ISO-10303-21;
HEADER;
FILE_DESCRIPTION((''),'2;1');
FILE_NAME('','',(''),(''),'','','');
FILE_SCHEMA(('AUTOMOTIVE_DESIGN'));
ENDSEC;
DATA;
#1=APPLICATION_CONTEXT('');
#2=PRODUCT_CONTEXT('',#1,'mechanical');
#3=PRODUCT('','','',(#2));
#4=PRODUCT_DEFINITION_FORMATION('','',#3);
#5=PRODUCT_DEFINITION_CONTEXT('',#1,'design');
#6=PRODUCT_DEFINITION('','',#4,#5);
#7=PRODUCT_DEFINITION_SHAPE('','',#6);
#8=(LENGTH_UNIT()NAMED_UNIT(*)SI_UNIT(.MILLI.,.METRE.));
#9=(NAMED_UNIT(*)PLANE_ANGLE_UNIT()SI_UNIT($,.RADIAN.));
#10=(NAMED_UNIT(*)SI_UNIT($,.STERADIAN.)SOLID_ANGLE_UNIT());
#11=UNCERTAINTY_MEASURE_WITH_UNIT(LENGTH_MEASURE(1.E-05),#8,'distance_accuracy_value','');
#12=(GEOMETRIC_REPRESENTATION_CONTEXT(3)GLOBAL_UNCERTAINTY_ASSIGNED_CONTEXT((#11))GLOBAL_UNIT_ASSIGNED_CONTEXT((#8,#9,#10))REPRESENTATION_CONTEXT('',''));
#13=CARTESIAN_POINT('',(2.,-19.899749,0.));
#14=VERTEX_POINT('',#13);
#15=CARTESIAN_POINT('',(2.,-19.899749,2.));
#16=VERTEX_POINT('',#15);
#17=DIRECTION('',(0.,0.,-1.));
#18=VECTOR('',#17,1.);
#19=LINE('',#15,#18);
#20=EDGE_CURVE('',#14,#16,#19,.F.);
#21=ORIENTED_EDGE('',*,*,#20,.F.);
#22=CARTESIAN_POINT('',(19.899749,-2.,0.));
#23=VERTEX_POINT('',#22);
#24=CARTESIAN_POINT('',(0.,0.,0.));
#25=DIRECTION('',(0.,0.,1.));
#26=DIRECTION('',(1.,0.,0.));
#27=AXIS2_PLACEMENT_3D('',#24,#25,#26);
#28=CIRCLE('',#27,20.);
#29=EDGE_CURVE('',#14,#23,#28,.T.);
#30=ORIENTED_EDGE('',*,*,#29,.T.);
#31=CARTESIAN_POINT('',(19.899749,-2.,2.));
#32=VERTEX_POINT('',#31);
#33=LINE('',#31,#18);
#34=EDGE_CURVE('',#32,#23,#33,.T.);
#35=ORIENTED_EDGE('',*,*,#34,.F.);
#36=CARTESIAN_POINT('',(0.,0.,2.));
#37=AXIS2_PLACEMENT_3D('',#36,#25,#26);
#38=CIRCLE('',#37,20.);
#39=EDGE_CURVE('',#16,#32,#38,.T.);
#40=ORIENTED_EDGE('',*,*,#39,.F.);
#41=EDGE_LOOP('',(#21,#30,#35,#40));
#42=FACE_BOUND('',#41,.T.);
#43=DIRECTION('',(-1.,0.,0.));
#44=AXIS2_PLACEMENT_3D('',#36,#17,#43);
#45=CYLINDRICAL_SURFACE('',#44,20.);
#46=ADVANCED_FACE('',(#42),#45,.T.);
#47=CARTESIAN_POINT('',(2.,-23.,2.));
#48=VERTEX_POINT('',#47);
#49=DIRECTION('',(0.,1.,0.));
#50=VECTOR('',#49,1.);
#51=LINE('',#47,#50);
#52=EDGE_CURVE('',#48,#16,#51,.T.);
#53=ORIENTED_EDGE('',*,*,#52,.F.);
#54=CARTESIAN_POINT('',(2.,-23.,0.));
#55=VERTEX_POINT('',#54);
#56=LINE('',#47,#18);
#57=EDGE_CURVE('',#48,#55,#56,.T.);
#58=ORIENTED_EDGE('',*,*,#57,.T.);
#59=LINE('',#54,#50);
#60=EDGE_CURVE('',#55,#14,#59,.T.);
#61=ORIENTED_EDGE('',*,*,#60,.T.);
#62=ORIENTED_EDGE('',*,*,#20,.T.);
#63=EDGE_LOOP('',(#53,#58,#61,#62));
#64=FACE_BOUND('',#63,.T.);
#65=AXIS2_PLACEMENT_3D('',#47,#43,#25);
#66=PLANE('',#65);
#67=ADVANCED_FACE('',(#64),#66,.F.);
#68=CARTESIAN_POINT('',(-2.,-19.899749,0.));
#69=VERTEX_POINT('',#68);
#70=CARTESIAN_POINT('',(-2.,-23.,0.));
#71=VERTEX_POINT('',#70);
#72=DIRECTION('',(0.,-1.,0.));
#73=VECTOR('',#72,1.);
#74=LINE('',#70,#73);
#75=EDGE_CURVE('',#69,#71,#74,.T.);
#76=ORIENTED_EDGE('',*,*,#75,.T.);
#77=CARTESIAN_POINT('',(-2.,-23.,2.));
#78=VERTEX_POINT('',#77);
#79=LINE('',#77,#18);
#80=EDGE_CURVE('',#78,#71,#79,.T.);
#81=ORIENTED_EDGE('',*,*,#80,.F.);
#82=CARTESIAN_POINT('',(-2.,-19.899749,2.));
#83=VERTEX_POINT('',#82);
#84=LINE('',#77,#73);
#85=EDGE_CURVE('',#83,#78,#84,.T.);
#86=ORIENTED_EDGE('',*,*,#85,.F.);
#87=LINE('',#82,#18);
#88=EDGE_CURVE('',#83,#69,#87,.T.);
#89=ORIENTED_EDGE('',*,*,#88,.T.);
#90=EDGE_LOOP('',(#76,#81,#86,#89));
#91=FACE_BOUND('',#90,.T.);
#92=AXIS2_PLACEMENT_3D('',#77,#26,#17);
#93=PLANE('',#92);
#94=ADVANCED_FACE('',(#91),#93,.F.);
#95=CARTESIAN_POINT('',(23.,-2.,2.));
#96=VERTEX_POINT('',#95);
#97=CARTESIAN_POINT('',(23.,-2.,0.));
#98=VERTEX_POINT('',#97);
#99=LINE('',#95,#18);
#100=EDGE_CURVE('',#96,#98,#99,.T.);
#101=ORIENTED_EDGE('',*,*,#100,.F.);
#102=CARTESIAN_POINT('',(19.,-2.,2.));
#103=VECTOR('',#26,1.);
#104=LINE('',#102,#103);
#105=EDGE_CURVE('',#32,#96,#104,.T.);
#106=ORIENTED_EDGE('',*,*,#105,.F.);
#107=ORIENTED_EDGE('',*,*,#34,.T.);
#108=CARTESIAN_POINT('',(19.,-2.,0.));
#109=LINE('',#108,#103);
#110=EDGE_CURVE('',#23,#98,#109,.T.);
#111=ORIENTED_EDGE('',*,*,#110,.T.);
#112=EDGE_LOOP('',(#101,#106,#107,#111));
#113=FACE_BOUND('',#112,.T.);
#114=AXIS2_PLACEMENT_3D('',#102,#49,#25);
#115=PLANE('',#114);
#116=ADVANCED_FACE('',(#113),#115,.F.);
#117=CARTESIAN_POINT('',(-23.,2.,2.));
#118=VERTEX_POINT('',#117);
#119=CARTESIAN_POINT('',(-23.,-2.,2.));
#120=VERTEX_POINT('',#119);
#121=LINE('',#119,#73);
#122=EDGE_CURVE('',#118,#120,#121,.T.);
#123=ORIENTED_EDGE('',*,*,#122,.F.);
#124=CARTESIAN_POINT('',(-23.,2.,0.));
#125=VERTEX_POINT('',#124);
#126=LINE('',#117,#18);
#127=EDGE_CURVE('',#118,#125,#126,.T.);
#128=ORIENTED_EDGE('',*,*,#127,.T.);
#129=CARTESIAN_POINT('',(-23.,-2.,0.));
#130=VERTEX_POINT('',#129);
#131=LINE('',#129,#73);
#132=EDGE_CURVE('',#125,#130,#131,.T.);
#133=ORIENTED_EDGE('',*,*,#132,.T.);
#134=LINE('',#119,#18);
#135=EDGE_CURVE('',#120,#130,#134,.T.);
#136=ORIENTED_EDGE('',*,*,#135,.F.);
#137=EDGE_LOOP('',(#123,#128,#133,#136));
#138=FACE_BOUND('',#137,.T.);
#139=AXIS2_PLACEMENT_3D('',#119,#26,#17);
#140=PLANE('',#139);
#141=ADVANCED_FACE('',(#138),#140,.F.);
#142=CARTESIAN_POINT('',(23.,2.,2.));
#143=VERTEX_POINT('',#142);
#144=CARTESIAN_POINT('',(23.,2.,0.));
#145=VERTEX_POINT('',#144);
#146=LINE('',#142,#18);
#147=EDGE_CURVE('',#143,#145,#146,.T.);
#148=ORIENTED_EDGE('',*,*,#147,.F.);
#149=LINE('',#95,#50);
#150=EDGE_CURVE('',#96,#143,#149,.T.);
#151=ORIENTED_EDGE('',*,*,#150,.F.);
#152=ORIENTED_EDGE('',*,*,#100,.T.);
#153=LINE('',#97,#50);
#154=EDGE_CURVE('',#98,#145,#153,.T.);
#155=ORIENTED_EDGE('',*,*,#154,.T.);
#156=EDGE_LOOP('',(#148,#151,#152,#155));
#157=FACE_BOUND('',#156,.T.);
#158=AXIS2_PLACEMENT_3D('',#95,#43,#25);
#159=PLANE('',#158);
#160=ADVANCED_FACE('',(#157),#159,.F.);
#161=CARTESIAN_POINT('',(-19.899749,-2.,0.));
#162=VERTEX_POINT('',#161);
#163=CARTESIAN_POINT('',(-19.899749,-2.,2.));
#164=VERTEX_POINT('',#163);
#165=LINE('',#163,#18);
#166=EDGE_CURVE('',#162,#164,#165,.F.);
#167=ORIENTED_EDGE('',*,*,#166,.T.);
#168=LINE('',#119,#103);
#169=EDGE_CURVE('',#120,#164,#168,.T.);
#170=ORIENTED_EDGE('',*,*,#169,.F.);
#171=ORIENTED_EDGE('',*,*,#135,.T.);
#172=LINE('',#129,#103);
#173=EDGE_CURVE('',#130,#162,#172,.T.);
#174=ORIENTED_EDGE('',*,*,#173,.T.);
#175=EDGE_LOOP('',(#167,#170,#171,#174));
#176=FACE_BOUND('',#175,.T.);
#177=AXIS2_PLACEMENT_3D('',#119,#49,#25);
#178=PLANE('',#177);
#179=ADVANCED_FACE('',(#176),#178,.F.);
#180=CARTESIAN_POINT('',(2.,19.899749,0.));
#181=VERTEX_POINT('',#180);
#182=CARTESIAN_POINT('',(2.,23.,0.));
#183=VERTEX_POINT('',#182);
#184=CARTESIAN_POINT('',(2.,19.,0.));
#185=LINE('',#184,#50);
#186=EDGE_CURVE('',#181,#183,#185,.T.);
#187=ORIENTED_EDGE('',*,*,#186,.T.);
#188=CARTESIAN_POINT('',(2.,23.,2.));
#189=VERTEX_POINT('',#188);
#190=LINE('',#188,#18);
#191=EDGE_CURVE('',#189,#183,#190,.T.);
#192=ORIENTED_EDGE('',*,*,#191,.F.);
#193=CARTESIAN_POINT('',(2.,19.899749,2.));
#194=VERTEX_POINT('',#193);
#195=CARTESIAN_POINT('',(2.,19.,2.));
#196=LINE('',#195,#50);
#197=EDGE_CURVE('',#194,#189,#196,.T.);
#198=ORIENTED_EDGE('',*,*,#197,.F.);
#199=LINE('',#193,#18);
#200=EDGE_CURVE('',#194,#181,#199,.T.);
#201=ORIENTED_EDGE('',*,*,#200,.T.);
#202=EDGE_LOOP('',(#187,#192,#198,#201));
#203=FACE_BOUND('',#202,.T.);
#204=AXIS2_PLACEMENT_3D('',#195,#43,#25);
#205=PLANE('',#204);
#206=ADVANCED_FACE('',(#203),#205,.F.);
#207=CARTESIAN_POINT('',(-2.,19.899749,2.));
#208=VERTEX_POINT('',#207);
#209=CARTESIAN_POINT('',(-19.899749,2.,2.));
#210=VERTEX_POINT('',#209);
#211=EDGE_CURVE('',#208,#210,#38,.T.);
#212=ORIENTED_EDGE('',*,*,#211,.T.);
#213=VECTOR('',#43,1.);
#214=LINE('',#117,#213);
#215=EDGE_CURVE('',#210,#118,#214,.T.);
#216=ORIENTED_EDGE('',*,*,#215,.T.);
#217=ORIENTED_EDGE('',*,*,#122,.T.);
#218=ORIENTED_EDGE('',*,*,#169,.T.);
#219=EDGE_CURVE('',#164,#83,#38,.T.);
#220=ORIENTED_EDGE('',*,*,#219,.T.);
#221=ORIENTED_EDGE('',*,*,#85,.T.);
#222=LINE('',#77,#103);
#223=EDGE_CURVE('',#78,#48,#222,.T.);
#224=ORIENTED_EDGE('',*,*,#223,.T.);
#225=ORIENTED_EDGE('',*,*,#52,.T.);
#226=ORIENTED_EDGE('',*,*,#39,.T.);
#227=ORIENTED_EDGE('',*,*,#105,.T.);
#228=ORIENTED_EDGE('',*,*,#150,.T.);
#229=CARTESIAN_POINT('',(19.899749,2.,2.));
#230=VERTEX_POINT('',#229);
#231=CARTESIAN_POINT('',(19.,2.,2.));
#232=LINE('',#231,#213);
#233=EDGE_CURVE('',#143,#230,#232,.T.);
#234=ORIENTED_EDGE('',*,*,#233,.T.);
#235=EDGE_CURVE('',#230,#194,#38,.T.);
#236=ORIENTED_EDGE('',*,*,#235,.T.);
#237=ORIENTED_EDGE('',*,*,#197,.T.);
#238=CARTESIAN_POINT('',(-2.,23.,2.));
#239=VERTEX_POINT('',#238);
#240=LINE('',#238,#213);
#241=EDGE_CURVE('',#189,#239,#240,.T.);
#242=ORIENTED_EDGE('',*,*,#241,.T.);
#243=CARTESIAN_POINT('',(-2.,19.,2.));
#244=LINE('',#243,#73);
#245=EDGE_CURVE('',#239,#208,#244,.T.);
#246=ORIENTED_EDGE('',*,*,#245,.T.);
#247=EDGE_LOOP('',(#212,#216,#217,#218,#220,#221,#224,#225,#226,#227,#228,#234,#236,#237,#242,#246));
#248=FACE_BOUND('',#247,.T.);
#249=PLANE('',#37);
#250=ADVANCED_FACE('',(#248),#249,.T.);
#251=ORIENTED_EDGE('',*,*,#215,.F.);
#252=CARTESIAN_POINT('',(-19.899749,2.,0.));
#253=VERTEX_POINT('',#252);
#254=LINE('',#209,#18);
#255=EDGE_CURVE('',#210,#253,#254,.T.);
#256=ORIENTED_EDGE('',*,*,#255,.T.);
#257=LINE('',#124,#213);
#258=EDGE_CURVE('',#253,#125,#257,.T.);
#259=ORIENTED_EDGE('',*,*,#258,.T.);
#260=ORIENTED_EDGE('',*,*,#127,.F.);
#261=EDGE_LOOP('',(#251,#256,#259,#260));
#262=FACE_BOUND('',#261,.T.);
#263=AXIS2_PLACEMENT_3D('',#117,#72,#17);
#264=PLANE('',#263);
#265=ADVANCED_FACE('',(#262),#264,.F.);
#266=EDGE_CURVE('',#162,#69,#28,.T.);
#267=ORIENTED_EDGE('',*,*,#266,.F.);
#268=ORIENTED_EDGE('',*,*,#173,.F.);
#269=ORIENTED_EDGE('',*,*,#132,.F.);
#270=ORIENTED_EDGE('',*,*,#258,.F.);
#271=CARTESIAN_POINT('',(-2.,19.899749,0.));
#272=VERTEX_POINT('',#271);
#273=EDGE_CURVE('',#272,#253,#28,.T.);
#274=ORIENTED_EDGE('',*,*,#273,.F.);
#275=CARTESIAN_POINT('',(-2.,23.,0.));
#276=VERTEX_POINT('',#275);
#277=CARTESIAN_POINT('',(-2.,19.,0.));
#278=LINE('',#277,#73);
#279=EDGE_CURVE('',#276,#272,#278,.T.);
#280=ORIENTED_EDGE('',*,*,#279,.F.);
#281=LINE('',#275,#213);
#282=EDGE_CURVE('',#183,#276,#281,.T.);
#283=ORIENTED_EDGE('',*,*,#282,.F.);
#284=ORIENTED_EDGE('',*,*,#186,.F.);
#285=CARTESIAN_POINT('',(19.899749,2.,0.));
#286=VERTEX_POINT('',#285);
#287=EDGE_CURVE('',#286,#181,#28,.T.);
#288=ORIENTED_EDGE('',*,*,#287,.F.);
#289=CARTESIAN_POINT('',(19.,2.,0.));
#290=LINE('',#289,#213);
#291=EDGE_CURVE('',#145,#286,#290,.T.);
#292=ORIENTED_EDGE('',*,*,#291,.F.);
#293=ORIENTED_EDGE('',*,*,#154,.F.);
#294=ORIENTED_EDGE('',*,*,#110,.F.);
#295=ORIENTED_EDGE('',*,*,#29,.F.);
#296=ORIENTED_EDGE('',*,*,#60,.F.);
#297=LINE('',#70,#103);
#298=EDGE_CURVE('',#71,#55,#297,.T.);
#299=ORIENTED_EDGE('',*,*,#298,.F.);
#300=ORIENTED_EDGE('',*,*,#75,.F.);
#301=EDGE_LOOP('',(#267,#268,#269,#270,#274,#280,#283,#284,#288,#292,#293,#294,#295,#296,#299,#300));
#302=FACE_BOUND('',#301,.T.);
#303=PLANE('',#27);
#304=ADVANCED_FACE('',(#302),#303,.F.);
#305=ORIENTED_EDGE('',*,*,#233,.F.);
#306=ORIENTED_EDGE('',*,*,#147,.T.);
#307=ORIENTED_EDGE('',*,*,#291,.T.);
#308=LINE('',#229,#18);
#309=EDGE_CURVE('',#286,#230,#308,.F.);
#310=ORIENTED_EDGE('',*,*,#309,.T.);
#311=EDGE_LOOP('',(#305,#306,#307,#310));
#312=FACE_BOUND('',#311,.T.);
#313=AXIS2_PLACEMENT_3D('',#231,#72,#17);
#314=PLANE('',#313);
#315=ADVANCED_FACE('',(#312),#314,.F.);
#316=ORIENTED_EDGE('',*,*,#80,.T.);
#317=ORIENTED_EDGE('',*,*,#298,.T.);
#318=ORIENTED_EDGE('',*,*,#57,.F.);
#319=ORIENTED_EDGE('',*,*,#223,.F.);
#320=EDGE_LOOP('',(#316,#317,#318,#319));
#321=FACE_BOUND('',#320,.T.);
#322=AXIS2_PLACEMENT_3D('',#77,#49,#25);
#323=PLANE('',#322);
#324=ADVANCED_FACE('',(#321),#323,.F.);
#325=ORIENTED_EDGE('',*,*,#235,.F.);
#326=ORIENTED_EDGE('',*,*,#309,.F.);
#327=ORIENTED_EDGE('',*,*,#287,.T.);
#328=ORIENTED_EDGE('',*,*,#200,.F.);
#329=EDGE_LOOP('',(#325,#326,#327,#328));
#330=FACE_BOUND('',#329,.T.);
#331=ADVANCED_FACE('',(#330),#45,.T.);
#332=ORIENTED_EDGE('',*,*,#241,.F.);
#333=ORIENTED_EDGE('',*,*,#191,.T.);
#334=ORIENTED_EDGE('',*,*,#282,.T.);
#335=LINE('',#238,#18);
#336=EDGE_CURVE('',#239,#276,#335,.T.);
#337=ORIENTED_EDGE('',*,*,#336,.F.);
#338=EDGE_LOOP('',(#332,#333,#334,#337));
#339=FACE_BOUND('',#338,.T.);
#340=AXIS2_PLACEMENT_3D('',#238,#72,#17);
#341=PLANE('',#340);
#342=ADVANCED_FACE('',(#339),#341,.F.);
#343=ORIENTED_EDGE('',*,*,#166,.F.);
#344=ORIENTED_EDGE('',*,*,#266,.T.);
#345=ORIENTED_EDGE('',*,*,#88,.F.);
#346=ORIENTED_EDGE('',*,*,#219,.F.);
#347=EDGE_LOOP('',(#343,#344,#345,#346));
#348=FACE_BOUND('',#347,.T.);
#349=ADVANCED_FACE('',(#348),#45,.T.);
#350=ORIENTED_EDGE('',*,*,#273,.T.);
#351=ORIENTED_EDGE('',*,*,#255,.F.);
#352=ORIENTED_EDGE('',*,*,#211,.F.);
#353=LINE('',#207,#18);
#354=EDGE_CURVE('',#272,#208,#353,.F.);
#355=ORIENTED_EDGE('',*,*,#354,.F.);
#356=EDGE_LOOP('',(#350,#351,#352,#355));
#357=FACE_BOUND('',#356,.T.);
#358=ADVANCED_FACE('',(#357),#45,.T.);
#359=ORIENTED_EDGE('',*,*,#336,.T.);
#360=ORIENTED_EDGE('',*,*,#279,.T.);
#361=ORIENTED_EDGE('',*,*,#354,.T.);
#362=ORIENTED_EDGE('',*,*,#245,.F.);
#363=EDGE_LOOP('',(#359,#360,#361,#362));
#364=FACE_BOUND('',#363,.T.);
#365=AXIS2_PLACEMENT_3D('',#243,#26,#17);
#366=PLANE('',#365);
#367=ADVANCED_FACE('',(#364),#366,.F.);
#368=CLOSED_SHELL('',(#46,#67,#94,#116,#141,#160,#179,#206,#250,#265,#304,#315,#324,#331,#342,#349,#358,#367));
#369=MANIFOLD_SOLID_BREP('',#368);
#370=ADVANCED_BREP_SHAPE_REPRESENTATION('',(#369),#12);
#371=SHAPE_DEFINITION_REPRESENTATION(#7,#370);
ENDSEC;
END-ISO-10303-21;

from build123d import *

# Parameters (mm, degrees)
SKETCH_1_R      = 20
EXTRUDE_1_DEPTH = 2
SKETCH_2_W      = 4
SKETCH_2_H      = 4
EXTRUDE_2_DEPTH = 2


with BuildPart() as part:
    # 草图1 → 凸台-拉伸1 (new body)
    with BuildSketch(Plane.XY):
        Circle(SKETCH_1_R)
    extrude(amount=EXTRUDE_1_DEPTH)

    # 草图2 → 凸台-拉伸2 (add)
    with BuildSketch(Plane.XY):
        with Locations((21, 0)):
            Rectangle(SKETCH_2_W, SKETCH_2_H)
        with Locations((0, 21)):
            Rectangle(SKETCH_2_W, SKETCH_2_H)
        with Locations((-21, 0)):
            Rectangle(SKETCH_2_W, SKETCH_2_H)
        with Locations((0, -21)):
            Rectangle(SKETCH_2_W, SKETCH_2_H)
    extrude(amount=EXTRUDE_2_DEPTH)


solid = part.part
